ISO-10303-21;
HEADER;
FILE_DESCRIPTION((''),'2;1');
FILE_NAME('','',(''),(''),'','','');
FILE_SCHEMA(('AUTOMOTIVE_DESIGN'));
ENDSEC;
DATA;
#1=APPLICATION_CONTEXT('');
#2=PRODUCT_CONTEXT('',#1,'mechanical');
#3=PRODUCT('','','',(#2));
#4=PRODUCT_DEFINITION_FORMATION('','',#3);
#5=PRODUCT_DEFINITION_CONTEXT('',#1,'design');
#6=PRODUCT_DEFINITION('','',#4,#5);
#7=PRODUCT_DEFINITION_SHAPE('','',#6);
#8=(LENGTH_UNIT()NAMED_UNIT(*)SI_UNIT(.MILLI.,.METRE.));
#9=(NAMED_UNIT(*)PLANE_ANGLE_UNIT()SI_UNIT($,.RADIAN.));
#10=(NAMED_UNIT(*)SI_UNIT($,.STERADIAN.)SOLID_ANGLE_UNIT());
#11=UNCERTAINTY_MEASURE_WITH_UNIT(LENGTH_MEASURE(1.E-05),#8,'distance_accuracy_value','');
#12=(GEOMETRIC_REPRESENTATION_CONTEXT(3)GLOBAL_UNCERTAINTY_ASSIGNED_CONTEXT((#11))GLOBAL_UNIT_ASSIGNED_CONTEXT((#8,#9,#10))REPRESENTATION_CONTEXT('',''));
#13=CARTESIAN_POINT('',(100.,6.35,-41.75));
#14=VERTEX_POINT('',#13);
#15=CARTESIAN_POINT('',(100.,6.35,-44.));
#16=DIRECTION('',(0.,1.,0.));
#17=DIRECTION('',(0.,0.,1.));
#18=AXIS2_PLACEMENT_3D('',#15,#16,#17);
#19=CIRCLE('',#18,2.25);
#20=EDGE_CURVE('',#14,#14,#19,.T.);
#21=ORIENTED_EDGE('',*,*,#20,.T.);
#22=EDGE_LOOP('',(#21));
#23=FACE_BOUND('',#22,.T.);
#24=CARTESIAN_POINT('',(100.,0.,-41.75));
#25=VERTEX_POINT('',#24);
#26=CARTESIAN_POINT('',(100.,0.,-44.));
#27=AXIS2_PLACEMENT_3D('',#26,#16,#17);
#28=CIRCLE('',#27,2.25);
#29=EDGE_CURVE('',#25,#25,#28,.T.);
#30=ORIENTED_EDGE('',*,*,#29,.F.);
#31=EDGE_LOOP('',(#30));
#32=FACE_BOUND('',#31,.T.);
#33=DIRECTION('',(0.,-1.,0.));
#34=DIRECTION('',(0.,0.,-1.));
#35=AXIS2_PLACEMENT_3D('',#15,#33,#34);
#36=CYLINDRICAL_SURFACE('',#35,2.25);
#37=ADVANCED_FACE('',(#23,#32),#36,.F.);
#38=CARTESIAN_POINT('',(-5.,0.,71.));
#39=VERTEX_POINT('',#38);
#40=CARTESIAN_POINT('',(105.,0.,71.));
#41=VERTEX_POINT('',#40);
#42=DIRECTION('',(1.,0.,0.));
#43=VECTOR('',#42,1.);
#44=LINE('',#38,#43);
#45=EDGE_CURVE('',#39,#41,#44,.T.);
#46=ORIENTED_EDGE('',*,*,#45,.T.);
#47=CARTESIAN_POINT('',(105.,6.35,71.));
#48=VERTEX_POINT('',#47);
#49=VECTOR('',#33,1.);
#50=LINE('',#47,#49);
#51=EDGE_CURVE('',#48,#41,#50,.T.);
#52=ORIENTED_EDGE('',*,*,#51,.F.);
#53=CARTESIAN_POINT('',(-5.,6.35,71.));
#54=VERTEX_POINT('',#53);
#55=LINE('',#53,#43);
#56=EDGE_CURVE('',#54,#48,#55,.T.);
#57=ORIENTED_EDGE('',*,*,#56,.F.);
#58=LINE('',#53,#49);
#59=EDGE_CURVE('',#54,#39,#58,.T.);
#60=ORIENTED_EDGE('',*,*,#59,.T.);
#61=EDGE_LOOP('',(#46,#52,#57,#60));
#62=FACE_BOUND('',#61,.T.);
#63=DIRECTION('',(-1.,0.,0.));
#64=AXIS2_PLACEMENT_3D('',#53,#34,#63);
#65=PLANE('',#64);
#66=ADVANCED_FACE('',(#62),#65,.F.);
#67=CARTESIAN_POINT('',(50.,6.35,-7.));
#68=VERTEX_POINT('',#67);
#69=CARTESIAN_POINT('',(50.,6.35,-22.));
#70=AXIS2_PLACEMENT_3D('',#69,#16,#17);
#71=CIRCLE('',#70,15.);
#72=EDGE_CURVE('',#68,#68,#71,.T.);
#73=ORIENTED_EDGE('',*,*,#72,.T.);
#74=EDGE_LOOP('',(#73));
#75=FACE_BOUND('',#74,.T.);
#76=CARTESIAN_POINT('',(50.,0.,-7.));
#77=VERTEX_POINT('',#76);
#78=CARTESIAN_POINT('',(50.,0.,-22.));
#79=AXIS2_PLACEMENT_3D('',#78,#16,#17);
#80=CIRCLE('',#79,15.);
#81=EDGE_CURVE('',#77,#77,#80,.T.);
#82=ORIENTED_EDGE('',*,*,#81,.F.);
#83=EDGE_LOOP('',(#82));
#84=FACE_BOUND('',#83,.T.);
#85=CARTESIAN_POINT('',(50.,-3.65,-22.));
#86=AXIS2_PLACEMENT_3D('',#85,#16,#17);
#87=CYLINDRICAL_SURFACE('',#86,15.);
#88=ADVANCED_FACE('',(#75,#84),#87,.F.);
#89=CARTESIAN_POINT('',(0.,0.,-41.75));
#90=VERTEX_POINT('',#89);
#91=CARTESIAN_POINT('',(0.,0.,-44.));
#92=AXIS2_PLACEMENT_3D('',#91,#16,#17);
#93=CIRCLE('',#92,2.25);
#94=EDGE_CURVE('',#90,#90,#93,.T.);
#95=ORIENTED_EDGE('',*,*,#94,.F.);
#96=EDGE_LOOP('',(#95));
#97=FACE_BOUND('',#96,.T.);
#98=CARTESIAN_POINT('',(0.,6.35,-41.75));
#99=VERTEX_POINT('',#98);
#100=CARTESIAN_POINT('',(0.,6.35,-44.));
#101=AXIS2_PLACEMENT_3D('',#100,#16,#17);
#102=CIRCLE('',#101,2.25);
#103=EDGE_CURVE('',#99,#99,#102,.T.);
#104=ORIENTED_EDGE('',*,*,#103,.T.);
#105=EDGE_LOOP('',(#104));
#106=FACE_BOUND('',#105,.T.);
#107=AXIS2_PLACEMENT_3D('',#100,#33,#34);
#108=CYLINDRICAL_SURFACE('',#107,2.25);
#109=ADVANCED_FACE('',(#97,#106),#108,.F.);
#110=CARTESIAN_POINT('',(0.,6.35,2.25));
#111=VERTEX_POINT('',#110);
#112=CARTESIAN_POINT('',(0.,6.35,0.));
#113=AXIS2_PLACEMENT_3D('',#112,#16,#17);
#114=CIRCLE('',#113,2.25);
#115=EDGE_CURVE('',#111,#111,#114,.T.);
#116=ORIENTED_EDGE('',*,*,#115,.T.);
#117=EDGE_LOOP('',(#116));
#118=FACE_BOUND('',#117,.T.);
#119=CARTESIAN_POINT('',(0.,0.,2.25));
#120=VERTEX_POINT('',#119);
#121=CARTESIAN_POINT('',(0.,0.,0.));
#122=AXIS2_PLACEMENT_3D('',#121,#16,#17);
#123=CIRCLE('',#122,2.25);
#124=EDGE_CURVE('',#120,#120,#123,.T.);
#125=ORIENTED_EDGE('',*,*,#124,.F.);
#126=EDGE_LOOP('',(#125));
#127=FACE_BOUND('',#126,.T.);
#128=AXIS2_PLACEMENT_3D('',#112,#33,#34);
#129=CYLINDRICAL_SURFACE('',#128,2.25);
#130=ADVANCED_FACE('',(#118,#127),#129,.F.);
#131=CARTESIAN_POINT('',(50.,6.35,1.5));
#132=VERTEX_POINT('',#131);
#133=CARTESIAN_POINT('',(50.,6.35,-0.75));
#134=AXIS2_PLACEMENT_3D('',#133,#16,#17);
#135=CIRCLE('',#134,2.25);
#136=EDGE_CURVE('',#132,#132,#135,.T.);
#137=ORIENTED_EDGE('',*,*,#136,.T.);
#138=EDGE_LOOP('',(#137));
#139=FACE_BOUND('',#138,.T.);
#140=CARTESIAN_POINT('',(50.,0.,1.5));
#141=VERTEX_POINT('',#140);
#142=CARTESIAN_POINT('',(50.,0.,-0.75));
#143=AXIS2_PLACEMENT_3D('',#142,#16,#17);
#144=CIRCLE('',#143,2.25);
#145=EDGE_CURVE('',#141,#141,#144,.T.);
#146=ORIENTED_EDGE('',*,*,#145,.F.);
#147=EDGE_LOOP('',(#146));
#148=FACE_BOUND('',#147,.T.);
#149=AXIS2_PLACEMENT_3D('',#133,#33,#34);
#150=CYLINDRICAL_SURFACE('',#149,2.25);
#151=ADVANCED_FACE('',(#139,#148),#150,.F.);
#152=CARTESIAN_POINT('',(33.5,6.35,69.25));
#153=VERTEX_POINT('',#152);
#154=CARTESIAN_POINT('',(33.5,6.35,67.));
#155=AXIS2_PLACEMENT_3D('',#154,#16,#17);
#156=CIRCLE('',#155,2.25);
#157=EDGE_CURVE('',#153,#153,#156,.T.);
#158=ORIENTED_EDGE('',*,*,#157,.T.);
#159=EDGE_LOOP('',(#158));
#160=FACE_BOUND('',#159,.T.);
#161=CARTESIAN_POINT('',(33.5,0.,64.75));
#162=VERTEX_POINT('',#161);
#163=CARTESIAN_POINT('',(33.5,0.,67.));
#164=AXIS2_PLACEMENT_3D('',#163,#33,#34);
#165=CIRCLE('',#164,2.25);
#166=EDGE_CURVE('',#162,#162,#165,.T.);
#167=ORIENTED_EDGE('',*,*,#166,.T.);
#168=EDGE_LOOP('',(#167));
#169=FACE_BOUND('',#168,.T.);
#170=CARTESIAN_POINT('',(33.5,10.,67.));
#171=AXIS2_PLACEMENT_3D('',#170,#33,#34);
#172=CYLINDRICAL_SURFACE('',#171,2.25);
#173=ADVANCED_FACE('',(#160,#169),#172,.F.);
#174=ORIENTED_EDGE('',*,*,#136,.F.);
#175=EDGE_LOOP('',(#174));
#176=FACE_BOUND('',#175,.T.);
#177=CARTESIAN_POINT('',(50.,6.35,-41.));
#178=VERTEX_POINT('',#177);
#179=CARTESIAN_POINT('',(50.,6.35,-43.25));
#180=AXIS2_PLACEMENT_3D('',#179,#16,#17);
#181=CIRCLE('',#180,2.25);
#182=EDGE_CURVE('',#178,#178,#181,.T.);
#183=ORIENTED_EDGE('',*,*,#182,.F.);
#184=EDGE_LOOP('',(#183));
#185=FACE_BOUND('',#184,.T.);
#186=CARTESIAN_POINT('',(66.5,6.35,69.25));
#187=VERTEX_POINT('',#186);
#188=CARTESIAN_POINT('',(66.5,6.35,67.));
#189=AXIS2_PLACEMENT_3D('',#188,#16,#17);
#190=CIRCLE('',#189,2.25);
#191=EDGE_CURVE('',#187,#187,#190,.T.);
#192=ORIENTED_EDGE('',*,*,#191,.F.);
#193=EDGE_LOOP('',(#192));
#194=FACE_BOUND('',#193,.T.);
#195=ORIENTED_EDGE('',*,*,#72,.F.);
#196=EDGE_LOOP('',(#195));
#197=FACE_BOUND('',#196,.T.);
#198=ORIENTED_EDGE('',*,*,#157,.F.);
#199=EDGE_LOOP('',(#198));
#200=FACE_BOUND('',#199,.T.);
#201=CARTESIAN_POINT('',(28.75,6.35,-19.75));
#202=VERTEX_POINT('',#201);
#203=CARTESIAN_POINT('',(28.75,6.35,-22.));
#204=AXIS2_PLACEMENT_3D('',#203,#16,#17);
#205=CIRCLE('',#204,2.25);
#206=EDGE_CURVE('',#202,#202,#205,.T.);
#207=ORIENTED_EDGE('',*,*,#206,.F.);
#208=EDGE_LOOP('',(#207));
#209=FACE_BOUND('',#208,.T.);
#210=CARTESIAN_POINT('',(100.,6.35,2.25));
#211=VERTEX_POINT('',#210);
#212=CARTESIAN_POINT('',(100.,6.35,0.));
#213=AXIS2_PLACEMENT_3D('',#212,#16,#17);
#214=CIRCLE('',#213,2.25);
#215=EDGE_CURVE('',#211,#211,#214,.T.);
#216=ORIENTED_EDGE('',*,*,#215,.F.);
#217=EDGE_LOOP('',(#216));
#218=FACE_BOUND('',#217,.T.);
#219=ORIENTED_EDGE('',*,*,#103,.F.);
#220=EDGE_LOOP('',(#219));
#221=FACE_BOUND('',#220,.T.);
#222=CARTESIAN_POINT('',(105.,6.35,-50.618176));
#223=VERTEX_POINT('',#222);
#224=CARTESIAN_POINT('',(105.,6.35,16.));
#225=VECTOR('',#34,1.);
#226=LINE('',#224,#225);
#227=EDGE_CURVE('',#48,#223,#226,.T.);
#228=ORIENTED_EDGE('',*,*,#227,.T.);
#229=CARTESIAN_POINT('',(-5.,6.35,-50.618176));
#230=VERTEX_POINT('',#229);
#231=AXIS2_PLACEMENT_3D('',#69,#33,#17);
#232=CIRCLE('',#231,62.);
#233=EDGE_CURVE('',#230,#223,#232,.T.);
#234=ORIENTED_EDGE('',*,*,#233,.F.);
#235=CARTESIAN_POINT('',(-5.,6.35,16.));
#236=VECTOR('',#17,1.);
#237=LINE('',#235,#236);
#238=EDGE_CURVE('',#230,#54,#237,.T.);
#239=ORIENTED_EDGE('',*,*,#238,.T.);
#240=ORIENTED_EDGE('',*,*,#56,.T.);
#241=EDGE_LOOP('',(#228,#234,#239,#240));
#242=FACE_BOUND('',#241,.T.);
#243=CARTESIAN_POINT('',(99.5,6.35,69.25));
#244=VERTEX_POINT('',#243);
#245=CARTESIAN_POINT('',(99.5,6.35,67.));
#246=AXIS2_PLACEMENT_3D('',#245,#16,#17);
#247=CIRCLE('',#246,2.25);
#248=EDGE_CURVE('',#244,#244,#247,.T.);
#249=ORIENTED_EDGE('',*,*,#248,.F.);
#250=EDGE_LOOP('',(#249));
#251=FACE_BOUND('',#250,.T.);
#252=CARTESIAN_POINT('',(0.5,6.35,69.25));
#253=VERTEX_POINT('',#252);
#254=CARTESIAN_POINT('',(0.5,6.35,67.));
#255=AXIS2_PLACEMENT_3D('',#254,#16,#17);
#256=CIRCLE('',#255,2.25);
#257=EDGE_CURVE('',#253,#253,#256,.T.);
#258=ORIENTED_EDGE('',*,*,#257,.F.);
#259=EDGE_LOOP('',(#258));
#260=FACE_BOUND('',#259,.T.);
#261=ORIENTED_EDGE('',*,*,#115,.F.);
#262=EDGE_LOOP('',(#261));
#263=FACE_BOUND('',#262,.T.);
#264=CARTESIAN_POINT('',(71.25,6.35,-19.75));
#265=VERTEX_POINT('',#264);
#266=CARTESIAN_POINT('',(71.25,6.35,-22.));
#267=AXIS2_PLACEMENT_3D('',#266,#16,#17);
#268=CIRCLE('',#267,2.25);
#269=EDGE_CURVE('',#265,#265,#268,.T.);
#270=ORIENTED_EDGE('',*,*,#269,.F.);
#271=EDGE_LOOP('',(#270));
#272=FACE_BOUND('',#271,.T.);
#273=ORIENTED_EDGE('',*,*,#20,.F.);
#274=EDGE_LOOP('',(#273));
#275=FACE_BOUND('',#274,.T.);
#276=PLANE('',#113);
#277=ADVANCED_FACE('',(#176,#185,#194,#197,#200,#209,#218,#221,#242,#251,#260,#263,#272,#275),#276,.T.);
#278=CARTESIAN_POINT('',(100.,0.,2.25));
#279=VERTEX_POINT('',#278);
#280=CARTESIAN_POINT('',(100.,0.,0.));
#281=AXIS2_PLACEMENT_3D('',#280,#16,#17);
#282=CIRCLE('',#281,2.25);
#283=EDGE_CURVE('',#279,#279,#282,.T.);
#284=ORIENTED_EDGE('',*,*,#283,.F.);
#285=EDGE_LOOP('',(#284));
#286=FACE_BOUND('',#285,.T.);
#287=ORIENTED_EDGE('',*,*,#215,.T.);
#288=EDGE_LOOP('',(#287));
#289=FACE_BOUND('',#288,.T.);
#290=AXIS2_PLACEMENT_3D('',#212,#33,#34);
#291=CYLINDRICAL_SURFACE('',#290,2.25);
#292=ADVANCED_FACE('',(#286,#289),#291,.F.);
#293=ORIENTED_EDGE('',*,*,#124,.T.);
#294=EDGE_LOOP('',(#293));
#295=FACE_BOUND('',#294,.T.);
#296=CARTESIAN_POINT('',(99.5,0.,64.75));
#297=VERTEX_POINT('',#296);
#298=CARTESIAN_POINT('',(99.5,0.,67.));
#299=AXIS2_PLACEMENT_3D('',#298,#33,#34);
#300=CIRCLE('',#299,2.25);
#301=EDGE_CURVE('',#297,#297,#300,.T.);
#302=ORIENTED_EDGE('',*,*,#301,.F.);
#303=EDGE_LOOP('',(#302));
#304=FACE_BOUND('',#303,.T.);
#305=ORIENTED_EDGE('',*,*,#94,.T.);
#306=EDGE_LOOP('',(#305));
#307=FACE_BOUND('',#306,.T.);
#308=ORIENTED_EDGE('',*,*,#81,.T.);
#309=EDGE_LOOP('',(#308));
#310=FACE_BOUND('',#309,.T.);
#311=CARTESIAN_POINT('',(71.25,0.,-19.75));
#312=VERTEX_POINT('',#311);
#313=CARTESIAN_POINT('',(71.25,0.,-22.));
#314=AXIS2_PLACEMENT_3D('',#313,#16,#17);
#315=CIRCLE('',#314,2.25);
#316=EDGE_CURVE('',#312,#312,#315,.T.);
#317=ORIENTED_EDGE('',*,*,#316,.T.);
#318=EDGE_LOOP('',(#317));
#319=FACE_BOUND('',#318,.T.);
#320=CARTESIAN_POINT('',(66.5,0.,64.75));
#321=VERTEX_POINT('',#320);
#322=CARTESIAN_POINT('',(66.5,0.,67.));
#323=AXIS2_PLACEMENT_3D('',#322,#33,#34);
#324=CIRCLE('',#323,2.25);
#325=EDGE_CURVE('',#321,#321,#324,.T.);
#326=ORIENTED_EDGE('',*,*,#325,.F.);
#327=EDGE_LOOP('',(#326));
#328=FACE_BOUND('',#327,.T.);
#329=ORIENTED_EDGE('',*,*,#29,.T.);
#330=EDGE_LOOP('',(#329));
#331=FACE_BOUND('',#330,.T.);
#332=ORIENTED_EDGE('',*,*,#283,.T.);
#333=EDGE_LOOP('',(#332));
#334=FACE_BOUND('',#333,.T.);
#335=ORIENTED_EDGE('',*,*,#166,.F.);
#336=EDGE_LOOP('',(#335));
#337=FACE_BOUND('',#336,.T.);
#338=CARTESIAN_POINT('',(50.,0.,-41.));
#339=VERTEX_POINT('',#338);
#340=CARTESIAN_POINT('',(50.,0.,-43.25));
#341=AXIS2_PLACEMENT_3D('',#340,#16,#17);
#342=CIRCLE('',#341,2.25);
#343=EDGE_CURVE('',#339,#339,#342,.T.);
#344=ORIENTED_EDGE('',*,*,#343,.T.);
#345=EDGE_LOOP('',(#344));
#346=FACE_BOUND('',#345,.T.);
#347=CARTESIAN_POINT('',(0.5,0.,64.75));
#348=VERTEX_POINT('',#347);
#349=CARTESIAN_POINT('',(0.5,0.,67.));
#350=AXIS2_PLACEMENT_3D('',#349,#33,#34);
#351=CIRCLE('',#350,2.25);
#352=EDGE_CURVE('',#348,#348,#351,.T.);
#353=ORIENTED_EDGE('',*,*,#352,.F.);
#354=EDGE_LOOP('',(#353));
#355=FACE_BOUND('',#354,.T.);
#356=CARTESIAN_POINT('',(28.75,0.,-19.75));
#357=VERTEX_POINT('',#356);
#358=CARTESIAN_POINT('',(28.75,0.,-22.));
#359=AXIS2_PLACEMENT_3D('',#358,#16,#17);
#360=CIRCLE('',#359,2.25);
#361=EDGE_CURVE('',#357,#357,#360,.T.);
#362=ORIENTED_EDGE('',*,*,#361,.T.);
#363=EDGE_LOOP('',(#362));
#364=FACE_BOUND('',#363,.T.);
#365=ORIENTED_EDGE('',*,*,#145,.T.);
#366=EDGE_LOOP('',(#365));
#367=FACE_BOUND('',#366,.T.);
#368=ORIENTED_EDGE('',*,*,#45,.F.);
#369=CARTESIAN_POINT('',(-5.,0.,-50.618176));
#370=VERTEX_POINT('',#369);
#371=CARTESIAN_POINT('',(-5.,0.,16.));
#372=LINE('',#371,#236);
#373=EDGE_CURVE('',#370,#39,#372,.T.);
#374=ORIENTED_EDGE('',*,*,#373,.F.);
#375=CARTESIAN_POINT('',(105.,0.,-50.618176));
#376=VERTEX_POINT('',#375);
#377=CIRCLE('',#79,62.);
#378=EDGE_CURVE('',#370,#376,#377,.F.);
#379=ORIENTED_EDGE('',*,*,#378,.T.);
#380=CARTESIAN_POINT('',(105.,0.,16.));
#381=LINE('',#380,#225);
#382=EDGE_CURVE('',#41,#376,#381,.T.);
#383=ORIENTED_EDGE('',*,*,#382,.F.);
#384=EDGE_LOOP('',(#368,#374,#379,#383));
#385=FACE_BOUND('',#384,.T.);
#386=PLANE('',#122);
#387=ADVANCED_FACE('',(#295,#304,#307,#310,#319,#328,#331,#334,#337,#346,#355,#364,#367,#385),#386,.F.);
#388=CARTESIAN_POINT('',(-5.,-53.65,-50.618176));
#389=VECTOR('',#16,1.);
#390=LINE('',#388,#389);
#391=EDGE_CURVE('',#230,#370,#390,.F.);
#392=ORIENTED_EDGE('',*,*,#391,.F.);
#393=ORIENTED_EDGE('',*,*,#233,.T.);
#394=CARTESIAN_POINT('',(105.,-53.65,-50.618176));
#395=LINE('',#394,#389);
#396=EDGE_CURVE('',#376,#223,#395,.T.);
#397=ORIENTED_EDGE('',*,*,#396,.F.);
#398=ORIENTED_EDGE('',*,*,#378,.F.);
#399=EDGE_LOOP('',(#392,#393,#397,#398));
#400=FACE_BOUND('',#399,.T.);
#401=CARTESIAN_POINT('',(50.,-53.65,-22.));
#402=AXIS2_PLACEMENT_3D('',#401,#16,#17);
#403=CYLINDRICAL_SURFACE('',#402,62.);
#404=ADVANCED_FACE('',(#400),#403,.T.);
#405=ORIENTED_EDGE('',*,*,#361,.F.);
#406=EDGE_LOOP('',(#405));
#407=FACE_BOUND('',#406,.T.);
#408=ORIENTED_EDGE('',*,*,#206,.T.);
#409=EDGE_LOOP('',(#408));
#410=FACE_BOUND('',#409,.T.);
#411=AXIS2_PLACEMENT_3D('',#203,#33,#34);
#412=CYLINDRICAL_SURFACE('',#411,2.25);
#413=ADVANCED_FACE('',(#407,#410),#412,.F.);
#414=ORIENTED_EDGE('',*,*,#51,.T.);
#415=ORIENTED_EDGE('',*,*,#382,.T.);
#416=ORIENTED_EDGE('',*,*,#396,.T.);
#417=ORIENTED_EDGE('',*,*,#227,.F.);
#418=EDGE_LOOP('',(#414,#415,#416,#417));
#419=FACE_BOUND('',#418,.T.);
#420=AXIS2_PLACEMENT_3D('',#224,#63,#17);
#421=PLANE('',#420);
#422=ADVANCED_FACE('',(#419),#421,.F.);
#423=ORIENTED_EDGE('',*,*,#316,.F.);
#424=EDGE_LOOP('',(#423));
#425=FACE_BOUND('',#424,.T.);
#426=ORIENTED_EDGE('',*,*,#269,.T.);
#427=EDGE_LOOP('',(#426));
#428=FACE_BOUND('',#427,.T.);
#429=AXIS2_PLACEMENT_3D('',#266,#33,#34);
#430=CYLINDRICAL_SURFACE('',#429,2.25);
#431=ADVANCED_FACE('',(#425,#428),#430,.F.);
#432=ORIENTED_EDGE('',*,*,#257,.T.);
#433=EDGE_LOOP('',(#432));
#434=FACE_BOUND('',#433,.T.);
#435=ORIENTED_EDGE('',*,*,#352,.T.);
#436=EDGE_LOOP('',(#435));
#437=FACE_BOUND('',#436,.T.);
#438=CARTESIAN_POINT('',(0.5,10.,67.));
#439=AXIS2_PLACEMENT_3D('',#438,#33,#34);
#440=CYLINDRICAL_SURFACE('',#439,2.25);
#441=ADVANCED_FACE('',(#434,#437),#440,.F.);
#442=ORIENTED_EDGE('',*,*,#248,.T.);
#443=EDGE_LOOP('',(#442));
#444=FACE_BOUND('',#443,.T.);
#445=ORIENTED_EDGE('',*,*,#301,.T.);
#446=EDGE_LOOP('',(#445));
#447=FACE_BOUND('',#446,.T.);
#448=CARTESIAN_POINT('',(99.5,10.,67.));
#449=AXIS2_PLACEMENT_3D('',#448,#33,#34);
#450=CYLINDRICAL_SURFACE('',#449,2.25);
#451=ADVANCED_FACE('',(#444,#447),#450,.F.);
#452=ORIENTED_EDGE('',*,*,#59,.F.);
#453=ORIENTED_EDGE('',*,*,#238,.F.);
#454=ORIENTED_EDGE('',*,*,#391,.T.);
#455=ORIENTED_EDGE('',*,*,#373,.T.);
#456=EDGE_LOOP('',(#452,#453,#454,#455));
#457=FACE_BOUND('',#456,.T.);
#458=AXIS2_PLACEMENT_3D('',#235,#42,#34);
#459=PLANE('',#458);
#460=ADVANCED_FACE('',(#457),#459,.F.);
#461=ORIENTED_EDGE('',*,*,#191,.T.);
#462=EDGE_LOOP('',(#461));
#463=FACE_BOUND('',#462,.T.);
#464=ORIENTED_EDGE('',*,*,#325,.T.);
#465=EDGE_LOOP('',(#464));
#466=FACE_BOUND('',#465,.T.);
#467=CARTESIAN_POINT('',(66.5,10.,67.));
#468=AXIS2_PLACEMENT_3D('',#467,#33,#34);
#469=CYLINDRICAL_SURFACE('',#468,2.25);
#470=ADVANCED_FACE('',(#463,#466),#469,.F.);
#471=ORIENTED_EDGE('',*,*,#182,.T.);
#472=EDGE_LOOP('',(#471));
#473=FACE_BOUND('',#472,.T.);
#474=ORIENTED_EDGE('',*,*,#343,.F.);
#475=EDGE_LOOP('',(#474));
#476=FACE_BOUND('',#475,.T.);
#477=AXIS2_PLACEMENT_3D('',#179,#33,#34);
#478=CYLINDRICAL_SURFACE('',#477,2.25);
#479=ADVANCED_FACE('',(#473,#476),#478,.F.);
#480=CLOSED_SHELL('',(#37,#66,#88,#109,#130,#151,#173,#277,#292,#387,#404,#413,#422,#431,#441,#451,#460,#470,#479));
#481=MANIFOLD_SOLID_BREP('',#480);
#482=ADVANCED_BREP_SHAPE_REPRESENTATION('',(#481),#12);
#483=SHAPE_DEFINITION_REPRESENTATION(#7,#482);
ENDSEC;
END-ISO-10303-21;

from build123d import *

# Parameters (mm, degrees)
SKETCH1_R           = 2.25
BOSS_EXTRUDE1_DEPTH = 6.35
SKETCH2_R           = 15
CUT_EXTRUDE1_DEPTH  = 10
CUT_EXTRUDE2_DEPTH  = 60
SKETCH4_R           = 2.25
CUT_EXTRUDE3_DEPTH  = 10


with BuildPart() as part:
    # Sketch1 → Boss-Extrude1 (new body)
    with BuildSketch(Plane(origin=(0, 0, 0), x_dir=(1, 0, 0), z_dir=(0, 1, 0))):
        Polygon((-5, -16), (-5, 84), (105, 84), (105, -16), (105, -71), (-5, -71), align=None)
        with Locations(Location((0, 0, 0), (0, 0, 270))):
            Circle(SKETCH1_R, mode=Mode.SUBTRACT)
        with Locations(Location((0, 44, 0), (0, 0, 270))):
            Circle(SKETCH1_R, mode=Mode.SUBTRACT)
        with Locations(Location((100, 44, 0), (0, 0, 270))):
            Circle(SKETCH1_R, mode=Mode.SUBTRACT)
        with Locations(Location((100, 0, 0), (0, 0, 270))):
            Circle(SKETCH1_R, mode=Mode.SUBTRACT)
        with Locations(Location((50, 43.25, 0), (0, 0, 270))):
            Circle(SKETCH1_R, mode=Mode.SUBTRACT)
        with Locations(Location((71.25, 22, 0), (0, 0, 270))):
            Circle(SKETCH1_R, mode=Mode.SUBTRACT)
        with Locations(Location((50, 0.75, 0), (0, 0, 270))):
            Circle(SKETCH1_R, mode=Mode.SUBTRACT)
        with Locations(Location((28.75, 22, 0), (0, 0, 270))):
            Circle(SKETCH1_R, mode=Mode.SUBTRACT)
    extrude(amount=BOSS_EXTRUDE1_DEPTH)

    # Sketch2 → Cut-Extrude1 (cut)
    with BuildSketch(Plane(origin=(0, 6.35, 0), x_dir=(1, 0, 0), z_dir=(0, 1, 0))):
        with Locations(Location((50, 22, 0), (0, 0, 270))):
            Circle(SKETCH2_R)
    extrude(amount=-CUT_EXTRUDE1_DEPTH, mode=Mode.SUBTRACT)

    # Sketch3 → Cut-Extrude2 (cut)
    with BuildSketch(Plane(origin=(0, 6.35, 0), x_dir=(1, 0, 0), z_dir=(0, 1, 0))):
        with BuildLine():
            Line((-11.87928751, 18.13298859), (-19.122468025, 134.037184903))
            Line((-19.122468025, 134.037184903), (176.364402691, 135.714155607))
            Line((176.364402691, 135.714155607), (111.227525883, 31.756540076))
            ThreePointArc((111.227525883, 31.756540076), (43.180433513, 83.623806381), (-11.87928751, 18.13298859))
        make_face()
    extrude(amount=-CUT_EXTRUDE2_DEPTH, mode=Mode.SUBTRACT)

    # Sketch4 → Cut-Extrude3 (cut)
    with BuildSketch(Plane.XZ):
        with Locations(Location((99.5, 67, 0), (0, 0, 270))):
            Circle(SKETCH4_R)
        with Locations(Location((0.5, 67, 0), (0, 0, 270))):
            Circle(SKETCH4_R)
        with Locations(Location((33.5, 67, 0), (0, 0, 270))):
            Circle(SKETCH4_R)
        with Locations(Location((66.5, 67, 0), (0, 0, 270))):
            Circle(SKETCH4_R)
    extrude(amount=-CUT_EXTRUDE3_DEPTH, mode=Mode.SUBTRACT)


solid = part.part
